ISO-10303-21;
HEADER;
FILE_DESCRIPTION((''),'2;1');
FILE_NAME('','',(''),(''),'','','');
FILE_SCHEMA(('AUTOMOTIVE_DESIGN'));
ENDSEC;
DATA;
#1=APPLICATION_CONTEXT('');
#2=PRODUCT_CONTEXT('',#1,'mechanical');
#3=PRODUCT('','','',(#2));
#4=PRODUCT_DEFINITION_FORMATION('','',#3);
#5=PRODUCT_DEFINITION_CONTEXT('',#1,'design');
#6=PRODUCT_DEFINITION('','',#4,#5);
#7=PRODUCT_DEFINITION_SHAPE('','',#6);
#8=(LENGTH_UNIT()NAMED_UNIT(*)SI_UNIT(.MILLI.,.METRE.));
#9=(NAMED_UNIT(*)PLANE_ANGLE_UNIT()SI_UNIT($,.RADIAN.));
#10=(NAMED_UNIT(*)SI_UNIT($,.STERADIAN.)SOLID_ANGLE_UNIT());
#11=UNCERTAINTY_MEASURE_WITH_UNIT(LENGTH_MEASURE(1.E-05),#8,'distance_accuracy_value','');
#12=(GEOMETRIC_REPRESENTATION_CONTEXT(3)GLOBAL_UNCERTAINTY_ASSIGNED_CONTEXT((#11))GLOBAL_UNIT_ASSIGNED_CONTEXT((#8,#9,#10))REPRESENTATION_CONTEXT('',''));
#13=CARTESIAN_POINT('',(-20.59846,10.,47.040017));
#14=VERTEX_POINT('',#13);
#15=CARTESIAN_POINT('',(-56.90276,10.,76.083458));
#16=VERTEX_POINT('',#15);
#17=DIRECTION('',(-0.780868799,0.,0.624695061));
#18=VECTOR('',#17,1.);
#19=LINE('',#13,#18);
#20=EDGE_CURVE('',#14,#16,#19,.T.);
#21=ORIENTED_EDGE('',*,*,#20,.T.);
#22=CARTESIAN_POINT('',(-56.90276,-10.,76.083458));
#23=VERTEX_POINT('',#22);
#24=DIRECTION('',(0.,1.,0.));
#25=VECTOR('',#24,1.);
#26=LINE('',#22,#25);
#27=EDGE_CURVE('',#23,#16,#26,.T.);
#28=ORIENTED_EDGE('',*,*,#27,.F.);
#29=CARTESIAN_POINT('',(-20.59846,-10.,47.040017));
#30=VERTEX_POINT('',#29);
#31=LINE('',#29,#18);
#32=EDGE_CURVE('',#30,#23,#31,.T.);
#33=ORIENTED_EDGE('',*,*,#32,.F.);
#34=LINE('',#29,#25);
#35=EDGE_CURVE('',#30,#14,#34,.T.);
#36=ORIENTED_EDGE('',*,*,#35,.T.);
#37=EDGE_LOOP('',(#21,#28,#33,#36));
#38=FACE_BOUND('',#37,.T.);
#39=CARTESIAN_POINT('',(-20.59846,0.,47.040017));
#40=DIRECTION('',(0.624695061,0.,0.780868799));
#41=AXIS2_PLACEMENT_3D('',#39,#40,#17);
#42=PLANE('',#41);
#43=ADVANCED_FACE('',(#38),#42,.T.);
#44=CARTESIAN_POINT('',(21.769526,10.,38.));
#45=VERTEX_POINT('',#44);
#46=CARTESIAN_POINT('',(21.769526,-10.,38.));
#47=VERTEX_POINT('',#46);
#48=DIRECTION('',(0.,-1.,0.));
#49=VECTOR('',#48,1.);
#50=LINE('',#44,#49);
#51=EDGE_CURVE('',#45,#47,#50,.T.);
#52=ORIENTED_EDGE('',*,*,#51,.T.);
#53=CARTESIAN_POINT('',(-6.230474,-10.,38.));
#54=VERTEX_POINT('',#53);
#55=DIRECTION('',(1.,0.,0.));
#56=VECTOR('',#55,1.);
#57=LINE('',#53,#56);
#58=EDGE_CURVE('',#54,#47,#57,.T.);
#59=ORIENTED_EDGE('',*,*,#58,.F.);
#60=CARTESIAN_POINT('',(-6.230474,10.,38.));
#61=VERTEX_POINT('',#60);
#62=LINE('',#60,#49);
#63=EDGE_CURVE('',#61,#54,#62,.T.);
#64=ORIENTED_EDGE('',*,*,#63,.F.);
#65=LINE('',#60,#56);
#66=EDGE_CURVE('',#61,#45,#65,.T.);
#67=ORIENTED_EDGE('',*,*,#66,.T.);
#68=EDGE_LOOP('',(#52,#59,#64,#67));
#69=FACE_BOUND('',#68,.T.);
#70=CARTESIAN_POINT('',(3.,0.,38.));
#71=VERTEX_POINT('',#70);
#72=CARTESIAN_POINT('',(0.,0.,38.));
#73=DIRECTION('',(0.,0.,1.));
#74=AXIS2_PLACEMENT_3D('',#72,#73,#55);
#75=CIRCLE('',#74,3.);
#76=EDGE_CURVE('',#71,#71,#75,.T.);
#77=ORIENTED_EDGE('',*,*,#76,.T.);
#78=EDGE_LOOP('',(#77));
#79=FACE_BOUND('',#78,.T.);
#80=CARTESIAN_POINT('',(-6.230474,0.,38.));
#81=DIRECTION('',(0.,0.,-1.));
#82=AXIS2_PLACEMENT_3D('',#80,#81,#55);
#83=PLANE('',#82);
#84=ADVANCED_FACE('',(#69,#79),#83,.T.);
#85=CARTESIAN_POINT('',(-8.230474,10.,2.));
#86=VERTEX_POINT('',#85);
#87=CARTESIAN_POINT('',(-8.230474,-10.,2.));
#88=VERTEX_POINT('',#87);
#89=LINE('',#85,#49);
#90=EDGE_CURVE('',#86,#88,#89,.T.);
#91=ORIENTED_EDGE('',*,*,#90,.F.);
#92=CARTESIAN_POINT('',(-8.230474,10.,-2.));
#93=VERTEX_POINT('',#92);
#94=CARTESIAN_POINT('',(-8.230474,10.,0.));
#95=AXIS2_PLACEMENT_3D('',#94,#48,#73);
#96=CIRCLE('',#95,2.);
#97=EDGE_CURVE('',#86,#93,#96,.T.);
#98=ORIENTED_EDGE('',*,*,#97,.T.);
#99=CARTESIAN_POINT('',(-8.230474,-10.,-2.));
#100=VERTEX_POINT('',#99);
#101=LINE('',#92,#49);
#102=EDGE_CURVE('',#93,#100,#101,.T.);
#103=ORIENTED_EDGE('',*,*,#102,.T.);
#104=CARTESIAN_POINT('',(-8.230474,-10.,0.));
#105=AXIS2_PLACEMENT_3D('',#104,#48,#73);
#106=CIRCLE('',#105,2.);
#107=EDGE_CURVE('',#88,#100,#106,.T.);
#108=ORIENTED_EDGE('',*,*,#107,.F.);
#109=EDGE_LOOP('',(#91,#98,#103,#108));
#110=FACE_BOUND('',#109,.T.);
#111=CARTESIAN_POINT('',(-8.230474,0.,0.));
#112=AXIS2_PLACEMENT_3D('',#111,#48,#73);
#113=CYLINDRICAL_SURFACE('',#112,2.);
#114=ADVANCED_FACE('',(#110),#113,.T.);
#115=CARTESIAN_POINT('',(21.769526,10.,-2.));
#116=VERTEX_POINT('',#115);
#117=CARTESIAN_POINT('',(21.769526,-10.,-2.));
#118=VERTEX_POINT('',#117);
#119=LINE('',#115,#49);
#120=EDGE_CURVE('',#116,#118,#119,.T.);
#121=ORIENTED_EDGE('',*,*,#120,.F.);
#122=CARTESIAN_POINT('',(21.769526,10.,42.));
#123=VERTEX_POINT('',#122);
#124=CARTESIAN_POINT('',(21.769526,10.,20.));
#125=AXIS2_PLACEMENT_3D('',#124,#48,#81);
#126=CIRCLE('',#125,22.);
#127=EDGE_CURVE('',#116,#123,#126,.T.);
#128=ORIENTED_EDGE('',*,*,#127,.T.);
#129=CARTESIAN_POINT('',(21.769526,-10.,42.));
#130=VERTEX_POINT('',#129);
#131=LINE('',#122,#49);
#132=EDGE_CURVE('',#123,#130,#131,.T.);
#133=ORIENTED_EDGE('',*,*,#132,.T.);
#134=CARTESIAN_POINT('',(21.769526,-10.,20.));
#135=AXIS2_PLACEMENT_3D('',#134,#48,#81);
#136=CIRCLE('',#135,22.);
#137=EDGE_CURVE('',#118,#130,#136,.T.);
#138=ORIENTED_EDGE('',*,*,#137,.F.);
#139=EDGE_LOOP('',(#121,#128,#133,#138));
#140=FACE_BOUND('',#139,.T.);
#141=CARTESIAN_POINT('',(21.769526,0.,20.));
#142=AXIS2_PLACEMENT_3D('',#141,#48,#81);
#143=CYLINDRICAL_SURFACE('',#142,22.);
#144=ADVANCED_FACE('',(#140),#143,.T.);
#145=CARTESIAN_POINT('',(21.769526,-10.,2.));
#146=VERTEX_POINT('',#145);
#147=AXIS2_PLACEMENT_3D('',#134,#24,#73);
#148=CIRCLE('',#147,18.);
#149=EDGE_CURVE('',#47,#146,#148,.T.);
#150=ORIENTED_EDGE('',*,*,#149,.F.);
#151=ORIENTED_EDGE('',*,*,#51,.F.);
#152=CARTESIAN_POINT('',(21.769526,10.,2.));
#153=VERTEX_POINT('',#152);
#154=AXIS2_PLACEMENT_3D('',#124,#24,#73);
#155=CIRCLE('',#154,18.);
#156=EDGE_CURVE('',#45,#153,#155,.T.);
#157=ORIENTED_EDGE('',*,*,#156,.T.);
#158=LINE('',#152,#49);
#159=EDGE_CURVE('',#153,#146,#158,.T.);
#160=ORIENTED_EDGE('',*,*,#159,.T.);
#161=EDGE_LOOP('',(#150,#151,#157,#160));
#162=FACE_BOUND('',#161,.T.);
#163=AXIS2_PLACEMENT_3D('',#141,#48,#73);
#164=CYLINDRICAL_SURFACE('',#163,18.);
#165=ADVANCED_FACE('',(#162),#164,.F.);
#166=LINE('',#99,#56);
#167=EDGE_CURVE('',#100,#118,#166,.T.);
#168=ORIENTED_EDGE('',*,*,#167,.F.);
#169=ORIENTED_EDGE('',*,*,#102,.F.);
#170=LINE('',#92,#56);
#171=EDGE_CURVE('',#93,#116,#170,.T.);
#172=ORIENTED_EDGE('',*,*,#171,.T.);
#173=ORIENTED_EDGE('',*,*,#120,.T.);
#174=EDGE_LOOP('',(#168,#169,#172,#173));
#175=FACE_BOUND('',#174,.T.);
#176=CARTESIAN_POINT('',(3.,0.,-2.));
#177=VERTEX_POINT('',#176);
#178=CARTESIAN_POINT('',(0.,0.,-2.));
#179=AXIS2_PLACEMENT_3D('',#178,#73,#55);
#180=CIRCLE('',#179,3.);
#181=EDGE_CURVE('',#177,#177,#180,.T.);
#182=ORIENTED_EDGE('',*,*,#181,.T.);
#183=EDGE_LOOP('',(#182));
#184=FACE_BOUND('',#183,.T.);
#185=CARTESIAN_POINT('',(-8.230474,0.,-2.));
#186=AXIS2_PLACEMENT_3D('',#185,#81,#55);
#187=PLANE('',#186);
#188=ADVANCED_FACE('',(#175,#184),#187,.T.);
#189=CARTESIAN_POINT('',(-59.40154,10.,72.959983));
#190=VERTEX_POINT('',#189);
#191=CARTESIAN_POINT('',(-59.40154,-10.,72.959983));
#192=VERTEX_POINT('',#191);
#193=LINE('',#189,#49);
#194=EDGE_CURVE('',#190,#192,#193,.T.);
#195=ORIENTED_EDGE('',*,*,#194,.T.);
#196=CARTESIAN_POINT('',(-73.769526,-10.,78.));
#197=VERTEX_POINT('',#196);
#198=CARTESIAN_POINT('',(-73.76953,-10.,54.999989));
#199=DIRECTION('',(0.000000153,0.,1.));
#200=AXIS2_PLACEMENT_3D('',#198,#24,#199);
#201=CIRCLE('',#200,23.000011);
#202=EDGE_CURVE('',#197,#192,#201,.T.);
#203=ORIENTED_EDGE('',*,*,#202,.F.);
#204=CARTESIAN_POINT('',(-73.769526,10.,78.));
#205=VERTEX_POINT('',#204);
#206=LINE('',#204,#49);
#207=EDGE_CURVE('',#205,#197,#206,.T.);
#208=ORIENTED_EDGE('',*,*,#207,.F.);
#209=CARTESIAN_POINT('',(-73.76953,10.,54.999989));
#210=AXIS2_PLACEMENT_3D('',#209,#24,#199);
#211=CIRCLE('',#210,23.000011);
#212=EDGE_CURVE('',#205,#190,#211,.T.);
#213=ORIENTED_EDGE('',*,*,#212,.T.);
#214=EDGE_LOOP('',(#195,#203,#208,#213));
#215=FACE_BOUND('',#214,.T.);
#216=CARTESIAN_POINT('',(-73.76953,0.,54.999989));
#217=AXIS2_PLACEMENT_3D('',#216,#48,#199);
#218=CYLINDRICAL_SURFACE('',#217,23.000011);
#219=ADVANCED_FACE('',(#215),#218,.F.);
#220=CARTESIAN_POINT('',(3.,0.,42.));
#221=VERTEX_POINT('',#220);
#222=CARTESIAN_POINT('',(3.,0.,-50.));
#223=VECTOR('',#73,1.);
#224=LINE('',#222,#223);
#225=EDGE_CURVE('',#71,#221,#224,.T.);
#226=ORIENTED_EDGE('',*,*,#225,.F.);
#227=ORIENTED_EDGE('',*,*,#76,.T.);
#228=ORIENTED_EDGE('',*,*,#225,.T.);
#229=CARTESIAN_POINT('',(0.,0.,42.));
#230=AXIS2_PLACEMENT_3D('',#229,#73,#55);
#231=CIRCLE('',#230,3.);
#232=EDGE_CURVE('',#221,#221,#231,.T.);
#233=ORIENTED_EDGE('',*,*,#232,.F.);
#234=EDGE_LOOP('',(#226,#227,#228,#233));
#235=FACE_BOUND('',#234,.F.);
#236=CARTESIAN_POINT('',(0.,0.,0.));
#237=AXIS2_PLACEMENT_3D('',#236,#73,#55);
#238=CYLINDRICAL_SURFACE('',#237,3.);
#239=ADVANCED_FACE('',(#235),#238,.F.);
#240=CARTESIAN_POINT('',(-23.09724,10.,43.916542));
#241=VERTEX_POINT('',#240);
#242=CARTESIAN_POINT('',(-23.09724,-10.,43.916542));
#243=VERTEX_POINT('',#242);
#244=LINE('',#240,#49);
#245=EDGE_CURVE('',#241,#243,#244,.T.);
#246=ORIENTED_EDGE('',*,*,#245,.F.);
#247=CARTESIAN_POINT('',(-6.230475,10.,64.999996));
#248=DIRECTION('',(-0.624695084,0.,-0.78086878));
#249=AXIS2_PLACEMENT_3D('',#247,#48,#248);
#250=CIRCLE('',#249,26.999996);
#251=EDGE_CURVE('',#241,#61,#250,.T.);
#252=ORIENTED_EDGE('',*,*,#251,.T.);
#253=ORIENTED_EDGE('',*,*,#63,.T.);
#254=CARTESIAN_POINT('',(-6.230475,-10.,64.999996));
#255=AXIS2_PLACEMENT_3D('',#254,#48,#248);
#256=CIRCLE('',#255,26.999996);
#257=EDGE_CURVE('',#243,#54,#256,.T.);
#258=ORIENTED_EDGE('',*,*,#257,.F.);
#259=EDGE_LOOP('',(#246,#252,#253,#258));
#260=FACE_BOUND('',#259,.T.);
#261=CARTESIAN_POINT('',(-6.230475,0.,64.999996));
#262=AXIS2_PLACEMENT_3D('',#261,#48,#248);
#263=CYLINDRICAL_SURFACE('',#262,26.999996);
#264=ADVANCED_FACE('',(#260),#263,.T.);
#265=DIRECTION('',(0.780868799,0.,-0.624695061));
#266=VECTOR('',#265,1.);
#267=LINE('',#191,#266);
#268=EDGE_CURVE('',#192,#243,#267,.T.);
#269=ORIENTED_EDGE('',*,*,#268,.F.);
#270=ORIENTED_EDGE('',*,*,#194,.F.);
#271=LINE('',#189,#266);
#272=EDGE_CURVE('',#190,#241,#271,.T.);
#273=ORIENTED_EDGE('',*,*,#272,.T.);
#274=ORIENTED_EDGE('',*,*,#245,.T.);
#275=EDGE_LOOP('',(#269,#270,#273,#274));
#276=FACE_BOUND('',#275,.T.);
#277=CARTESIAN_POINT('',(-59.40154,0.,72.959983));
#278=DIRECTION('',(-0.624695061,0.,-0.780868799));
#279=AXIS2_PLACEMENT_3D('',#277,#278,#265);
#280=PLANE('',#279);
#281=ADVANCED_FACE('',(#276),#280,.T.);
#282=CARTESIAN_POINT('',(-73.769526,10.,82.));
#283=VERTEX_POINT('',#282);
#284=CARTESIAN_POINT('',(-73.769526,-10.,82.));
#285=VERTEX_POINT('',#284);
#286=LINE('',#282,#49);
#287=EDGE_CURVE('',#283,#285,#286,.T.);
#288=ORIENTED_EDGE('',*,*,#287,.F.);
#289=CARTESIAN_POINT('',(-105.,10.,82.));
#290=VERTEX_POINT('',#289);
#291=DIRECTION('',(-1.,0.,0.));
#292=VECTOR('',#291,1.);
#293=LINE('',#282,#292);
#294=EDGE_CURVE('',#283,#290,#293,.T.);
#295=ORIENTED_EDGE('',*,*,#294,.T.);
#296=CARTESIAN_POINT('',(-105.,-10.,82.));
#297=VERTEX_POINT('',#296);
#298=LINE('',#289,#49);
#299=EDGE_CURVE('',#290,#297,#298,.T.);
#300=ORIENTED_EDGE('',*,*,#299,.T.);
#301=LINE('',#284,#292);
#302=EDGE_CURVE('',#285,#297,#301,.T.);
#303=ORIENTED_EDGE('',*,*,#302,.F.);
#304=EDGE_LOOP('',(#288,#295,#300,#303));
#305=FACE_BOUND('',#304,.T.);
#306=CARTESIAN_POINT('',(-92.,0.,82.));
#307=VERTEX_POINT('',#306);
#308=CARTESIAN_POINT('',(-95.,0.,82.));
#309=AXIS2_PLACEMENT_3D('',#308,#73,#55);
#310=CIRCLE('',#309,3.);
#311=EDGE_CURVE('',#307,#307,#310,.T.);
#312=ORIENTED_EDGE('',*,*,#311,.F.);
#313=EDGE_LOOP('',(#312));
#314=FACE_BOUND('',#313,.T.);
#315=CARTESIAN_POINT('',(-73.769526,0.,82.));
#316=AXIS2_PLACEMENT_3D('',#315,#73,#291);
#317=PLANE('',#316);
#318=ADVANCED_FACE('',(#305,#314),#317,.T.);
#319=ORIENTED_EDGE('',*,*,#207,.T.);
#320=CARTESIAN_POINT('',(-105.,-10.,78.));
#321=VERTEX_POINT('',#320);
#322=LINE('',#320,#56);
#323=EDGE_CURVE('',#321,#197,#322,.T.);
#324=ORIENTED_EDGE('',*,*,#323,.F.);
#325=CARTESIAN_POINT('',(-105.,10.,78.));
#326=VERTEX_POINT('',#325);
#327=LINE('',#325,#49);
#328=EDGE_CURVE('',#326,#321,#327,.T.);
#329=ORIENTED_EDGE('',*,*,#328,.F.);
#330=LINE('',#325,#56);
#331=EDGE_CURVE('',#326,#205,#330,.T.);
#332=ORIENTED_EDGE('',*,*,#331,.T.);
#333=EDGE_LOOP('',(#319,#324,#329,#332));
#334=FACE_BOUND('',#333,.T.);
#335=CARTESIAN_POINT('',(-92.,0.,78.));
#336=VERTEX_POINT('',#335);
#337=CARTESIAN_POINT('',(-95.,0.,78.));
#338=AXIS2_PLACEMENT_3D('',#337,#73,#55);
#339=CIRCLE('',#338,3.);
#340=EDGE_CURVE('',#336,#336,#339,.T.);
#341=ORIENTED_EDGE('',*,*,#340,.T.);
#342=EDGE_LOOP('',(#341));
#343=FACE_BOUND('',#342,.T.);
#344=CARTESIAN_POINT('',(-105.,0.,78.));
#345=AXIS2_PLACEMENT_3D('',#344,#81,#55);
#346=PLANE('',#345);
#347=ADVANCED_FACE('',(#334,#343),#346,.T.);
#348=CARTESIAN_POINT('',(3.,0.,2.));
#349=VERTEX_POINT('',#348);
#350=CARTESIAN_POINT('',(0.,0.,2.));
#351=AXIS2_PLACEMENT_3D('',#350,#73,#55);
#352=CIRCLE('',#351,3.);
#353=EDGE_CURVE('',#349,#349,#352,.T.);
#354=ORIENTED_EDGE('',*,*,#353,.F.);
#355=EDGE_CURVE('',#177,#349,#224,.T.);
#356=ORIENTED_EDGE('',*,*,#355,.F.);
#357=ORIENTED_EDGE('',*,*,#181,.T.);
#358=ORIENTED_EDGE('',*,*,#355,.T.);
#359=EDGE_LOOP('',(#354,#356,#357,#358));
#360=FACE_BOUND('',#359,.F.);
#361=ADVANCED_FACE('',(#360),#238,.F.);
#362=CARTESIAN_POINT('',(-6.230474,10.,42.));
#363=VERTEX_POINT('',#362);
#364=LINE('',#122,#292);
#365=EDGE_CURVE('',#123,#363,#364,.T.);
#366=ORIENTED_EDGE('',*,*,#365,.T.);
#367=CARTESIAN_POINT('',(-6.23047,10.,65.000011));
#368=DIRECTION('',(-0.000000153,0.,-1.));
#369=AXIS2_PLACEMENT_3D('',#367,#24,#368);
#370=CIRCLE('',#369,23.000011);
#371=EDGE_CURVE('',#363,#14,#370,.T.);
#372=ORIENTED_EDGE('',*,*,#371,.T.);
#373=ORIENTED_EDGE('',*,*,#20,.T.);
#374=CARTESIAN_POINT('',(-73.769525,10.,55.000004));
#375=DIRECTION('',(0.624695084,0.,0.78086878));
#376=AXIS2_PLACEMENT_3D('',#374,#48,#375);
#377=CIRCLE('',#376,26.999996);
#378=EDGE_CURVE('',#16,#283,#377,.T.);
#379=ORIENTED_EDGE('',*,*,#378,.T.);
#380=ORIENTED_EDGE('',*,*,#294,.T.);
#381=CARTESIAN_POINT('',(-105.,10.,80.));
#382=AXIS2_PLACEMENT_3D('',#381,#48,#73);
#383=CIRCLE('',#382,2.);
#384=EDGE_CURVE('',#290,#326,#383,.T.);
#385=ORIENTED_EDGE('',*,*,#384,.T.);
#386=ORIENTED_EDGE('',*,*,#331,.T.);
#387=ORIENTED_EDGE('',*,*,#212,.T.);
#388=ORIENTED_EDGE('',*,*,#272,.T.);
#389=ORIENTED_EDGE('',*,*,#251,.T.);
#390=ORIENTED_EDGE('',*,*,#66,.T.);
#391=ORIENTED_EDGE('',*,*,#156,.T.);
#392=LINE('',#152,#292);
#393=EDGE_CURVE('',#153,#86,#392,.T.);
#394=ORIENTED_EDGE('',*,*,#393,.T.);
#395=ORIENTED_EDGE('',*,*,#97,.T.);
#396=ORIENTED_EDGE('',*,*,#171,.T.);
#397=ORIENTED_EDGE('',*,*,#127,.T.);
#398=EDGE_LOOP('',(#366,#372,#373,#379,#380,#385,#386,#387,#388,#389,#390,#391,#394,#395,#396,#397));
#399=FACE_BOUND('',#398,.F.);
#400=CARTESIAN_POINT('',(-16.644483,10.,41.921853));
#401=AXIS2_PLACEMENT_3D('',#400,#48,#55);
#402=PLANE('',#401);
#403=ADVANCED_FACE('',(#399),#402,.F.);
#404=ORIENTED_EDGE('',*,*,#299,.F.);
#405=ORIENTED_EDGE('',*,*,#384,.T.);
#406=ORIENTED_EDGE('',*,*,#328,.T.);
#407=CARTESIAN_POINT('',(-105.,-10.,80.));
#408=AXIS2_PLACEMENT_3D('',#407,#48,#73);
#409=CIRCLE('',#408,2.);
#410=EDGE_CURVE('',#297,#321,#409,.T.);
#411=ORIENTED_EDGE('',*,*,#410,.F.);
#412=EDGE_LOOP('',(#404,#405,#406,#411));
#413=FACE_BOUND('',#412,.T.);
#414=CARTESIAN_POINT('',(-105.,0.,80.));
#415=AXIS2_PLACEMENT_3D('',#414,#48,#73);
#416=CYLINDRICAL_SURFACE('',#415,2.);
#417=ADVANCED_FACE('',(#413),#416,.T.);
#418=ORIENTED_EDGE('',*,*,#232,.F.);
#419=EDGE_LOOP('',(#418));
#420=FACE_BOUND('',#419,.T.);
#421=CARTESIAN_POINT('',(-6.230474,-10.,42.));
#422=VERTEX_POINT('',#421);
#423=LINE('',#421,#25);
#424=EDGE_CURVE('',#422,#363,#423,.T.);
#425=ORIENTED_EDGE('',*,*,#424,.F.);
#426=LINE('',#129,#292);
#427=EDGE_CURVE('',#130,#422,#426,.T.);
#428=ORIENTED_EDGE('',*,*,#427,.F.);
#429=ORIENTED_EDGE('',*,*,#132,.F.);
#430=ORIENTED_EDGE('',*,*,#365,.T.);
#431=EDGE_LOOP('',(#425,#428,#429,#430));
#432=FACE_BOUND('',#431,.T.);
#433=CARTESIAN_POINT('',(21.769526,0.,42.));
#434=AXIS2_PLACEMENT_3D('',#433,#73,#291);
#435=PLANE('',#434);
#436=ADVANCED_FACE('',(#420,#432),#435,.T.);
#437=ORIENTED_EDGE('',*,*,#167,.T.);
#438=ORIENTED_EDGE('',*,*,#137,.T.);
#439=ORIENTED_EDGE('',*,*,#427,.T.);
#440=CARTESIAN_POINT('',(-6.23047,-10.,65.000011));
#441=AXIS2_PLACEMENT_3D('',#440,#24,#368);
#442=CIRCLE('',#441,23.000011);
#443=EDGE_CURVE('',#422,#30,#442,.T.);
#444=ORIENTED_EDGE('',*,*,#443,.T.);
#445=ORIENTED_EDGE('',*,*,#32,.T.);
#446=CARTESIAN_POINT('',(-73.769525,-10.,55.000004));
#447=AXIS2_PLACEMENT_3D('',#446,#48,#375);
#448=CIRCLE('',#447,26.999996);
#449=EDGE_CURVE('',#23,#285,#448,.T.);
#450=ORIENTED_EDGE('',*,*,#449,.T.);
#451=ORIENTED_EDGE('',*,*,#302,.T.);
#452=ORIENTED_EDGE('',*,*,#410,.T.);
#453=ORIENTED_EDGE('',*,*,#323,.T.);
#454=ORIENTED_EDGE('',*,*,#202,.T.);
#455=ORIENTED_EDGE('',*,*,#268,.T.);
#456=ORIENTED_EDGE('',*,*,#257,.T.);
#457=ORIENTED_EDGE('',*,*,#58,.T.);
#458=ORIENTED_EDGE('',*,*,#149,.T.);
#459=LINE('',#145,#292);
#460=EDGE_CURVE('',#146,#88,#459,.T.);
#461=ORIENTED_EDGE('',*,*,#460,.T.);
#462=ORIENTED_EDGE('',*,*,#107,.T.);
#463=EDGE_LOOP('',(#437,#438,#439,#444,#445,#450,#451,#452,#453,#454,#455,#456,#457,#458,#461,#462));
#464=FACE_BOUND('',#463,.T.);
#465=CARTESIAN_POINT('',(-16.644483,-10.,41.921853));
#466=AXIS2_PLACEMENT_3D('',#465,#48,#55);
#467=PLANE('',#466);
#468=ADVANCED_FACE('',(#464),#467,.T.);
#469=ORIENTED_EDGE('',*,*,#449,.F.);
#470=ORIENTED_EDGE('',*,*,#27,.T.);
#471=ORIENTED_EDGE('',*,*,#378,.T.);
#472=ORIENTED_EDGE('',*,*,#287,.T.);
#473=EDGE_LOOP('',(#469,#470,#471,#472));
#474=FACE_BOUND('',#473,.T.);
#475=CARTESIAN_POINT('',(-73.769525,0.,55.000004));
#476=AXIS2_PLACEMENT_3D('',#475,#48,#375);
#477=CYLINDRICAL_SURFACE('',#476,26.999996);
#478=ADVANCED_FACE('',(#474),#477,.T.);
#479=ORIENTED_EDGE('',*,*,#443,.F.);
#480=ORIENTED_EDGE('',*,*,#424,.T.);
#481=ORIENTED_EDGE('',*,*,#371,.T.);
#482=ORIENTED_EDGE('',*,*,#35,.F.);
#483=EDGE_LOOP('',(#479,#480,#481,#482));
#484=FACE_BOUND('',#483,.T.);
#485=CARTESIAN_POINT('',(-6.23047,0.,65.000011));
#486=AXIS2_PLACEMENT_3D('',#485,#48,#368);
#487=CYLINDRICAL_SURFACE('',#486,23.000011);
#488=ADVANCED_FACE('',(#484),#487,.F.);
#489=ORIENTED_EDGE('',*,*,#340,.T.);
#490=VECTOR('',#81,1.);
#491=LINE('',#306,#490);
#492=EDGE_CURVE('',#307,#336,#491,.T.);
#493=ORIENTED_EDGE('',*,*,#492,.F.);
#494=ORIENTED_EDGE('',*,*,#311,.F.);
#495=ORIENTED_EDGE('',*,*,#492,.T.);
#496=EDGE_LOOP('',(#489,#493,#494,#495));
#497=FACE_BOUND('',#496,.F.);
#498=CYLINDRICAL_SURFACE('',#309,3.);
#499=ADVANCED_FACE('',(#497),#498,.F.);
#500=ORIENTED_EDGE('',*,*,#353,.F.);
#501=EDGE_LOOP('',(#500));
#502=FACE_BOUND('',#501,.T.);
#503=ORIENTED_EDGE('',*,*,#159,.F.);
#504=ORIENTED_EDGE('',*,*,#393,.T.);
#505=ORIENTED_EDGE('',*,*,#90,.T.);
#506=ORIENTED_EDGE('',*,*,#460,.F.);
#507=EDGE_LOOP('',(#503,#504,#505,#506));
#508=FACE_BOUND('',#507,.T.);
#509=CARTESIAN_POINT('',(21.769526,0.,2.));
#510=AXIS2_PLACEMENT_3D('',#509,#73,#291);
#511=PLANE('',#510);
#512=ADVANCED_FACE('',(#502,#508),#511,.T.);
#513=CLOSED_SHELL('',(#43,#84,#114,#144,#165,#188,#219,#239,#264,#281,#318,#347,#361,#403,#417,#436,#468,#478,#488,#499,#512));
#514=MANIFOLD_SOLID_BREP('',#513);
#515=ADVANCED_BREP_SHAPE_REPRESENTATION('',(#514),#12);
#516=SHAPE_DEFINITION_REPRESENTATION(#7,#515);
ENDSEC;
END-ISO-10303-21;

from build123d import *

# Parameters (mm, degrees)
F1_DEPTH = 10
F2_R     = 3
F3_DEPTH = 50
F4_R     = 3
F5_DEPTH = 25


with BuildPart() as f1:
    # F0 (on Front) → F1 (new body, symmetric)
    with BuildSketch(Plane.XZ):
        with BuildLine():
            ThreePointArc((-56.90276, 76.083458), (-64.832339, 80.477965), (-73.769526, 82))
            Line((-73.769526, 82), (-105, 82))
            ThreePointArc((-105, 82), (-107, 80), (-105, 78))
            Line((-105, 78), (-73.769526, 78))
            ThreePointArc((-73.769526, 78), (-66.156367, 76.703451), (-59.40154, 72.959983))
            Line((-59.40154, 72.959983), (-23.09724, 43.916542))
            ThreePointArc((-23.09724, 43.916542), (-15.167661, 39.522035), (-6.230474, 38))
            Line((-6.230474, 38), (1.769526, 38))
            Line((1.769526, 38), (21.769526, 38))
            ThreePointArc((21.769526, 38), (39.769526, 20), (21.769526, 2))
            Line((21.769526, 2), (1.769526, 2))
            Line((1.769526, 2), (-8.230474, 2))
            ThreePointArc((-8.230474, 2), (-10.230474, 0), (-8.230474, -2))
            Line((-8.230474, -2), (1.769526, -2))
            Line((1.769526, -2), (21.769526, -2))
            ThreePointArc((21.769526, -2), (43.769526, 20), (21.769526, 42))
            Line((21.769526, 42), (1.769526, 42))
            Line((1.769526, 42), (-6.230474, 42))
            ThreePointArc((-6.230474, 42), (-13.843633, 43.296549), (-20.59846, 47.040017))
            Line((-20.59846, 47.040017), (-56.90276, 76.083458))
        make_face()
    extrude(amount=F1_DEPTH, both=True)

    # F2 (on Top) → F3 (cut, symmetric)
    with BuildSketch(Plane.XY):
        Circle(F2_R)
    extrude(amount=F3_DEPTH, both=True, mode=Mode.SUBTRACT)

    # F4 (on face) → F5 (cut)
    with BuildSketch(Plane.XY.offset(82)):
        with Locations((-95, 0)):
            Circle(F4_R)
    extrude(amount=-F5_DEPTH, mode=Mode.SUBTRACT)


solid = f1.part
